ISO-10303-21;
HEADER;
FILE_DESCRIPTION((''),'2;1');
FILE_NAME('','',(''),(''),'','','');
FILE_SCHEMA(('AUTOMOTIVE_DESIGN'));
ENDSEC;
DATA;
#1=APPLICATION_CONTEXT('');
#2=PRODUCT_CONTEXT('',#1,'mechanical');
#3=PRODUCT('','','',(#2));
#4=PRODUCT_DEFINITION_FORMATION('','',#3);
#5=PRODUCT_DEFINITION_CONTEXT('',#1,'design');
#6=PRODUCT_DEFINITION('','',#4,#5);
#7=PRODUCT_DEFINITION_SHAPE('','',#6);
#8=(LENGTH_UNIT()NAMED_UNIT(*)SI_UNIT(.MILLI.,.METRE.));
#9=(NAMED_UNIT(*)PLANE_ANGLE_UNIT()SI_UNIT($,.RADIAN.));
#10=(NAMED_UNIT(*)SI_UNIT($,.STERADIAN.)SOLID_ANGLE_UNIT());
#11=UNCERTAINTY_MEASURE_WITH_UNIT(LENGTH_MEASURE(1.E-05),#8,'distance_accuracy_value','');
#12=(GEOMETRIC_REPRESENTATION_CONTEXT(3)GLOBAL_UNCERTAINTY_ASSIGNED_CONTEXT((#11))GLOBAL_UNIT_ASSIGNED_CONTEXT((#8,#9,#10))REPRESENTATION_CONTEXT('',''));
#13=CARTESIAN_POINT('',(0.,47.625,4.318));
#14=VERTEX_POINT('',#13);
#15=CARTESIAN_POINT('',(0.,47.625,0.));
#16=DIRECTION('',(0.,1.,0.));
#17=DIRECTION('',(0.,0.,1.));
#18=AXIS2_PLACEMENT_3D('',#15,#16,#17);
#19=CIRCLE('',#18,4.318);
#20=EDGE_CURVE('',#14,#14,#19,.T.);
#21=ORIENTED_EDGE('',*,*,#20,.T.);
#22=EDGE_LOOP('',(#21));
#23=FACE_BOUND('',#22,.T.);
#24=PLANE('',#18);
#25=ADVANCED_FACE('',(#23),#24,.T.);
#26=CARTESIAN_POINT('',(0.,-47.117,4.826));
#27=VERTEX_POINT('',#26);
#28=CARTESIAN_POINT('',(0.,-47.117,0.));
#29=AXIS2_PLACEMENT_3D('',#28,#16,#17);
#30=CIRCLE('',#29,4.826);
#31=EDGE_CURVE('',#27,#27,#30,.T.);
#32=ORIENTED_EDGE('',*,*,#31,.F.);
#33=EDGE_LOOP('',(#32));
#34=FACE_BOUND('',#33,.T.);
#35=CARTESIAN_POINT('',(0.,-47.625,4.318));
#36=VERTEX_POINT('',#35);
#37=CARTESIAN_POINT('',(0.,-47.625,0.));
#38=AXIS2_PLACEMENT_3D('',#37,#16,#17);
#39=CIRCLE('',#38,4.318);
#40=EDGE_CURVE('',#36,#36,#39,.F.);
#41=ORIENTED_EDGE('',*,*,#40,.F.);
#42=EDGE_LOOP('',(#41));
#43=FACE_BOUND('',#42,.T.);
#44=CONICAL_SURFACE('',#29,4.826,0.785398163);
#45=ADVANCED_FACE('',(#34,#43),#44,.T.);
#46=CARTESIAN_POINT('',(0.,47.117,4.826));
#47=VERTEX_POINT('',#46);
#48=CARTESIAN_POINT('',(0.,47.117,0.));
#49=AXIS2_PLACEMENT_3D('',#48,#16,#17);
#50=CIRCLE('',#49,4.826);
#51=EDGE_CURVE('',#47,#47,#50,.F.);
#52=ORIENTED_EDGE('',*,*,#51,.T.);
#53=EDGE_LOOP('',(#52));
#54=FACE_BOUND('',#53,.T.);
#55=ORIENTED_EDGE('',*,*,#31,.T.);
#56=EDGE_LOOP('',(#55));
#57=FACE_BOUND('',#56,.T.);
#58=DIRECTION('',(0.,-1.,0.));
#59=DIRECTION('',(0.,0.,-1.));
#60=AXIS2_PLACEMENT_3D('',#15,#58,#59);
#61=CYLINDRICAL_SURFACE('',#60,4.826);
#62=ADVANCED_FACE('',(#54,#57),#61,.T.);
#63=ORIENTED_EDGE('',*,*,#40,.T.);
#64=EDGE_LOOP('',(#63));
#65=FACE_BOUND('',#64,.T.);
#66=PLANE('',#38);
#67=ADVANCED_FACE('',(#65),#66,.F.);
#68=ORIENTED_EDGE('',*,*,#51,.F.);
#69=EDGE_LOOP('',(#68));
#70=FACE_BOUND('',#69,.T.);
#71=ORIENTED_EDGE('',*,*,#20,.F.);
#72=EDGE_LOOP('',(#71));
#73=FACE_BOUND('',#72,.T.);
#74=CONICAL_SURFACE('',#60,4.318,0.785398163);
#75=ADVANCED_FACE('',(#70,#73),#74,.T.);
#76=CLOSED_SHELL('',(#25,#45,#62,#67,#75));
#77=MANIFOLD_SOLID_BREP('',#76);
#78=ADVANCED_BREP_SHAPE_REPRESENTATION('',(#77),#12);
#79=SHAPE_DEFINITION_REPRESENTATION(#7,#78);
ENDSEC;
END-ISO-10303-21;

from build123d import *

# Parameters (mm, degrees)
SKETCH2_R           = 4.826
BOSS_EXTRUDE1_DEPTH = 47.625
CHAMFER1_SIZE       = 0.508


with BuildPart() as part:
    # Sketch2 → Boss-Extrude1 (new body, symmetric)
    with BuildSketch(Plane(origin=(0, 0, 0), x_dir=(1, 0, 0), z_dir=(0, 1, 0))):
        Circle(SKETCH2_R)
    extrude(amount=BOSS_EXTRUDE1_DEPTH, both=True)

    # Chamfer1
    chamfer1_edges = [part.edges().sort_by_distance(p)[0] for p in [
        (-4.826, -47.625, 0),
        (-4.826, 47.625, 0),
    ]]
    chamfer(chamfer1_edges, length=CHAMFER1_SIZE)


solid = part.part
